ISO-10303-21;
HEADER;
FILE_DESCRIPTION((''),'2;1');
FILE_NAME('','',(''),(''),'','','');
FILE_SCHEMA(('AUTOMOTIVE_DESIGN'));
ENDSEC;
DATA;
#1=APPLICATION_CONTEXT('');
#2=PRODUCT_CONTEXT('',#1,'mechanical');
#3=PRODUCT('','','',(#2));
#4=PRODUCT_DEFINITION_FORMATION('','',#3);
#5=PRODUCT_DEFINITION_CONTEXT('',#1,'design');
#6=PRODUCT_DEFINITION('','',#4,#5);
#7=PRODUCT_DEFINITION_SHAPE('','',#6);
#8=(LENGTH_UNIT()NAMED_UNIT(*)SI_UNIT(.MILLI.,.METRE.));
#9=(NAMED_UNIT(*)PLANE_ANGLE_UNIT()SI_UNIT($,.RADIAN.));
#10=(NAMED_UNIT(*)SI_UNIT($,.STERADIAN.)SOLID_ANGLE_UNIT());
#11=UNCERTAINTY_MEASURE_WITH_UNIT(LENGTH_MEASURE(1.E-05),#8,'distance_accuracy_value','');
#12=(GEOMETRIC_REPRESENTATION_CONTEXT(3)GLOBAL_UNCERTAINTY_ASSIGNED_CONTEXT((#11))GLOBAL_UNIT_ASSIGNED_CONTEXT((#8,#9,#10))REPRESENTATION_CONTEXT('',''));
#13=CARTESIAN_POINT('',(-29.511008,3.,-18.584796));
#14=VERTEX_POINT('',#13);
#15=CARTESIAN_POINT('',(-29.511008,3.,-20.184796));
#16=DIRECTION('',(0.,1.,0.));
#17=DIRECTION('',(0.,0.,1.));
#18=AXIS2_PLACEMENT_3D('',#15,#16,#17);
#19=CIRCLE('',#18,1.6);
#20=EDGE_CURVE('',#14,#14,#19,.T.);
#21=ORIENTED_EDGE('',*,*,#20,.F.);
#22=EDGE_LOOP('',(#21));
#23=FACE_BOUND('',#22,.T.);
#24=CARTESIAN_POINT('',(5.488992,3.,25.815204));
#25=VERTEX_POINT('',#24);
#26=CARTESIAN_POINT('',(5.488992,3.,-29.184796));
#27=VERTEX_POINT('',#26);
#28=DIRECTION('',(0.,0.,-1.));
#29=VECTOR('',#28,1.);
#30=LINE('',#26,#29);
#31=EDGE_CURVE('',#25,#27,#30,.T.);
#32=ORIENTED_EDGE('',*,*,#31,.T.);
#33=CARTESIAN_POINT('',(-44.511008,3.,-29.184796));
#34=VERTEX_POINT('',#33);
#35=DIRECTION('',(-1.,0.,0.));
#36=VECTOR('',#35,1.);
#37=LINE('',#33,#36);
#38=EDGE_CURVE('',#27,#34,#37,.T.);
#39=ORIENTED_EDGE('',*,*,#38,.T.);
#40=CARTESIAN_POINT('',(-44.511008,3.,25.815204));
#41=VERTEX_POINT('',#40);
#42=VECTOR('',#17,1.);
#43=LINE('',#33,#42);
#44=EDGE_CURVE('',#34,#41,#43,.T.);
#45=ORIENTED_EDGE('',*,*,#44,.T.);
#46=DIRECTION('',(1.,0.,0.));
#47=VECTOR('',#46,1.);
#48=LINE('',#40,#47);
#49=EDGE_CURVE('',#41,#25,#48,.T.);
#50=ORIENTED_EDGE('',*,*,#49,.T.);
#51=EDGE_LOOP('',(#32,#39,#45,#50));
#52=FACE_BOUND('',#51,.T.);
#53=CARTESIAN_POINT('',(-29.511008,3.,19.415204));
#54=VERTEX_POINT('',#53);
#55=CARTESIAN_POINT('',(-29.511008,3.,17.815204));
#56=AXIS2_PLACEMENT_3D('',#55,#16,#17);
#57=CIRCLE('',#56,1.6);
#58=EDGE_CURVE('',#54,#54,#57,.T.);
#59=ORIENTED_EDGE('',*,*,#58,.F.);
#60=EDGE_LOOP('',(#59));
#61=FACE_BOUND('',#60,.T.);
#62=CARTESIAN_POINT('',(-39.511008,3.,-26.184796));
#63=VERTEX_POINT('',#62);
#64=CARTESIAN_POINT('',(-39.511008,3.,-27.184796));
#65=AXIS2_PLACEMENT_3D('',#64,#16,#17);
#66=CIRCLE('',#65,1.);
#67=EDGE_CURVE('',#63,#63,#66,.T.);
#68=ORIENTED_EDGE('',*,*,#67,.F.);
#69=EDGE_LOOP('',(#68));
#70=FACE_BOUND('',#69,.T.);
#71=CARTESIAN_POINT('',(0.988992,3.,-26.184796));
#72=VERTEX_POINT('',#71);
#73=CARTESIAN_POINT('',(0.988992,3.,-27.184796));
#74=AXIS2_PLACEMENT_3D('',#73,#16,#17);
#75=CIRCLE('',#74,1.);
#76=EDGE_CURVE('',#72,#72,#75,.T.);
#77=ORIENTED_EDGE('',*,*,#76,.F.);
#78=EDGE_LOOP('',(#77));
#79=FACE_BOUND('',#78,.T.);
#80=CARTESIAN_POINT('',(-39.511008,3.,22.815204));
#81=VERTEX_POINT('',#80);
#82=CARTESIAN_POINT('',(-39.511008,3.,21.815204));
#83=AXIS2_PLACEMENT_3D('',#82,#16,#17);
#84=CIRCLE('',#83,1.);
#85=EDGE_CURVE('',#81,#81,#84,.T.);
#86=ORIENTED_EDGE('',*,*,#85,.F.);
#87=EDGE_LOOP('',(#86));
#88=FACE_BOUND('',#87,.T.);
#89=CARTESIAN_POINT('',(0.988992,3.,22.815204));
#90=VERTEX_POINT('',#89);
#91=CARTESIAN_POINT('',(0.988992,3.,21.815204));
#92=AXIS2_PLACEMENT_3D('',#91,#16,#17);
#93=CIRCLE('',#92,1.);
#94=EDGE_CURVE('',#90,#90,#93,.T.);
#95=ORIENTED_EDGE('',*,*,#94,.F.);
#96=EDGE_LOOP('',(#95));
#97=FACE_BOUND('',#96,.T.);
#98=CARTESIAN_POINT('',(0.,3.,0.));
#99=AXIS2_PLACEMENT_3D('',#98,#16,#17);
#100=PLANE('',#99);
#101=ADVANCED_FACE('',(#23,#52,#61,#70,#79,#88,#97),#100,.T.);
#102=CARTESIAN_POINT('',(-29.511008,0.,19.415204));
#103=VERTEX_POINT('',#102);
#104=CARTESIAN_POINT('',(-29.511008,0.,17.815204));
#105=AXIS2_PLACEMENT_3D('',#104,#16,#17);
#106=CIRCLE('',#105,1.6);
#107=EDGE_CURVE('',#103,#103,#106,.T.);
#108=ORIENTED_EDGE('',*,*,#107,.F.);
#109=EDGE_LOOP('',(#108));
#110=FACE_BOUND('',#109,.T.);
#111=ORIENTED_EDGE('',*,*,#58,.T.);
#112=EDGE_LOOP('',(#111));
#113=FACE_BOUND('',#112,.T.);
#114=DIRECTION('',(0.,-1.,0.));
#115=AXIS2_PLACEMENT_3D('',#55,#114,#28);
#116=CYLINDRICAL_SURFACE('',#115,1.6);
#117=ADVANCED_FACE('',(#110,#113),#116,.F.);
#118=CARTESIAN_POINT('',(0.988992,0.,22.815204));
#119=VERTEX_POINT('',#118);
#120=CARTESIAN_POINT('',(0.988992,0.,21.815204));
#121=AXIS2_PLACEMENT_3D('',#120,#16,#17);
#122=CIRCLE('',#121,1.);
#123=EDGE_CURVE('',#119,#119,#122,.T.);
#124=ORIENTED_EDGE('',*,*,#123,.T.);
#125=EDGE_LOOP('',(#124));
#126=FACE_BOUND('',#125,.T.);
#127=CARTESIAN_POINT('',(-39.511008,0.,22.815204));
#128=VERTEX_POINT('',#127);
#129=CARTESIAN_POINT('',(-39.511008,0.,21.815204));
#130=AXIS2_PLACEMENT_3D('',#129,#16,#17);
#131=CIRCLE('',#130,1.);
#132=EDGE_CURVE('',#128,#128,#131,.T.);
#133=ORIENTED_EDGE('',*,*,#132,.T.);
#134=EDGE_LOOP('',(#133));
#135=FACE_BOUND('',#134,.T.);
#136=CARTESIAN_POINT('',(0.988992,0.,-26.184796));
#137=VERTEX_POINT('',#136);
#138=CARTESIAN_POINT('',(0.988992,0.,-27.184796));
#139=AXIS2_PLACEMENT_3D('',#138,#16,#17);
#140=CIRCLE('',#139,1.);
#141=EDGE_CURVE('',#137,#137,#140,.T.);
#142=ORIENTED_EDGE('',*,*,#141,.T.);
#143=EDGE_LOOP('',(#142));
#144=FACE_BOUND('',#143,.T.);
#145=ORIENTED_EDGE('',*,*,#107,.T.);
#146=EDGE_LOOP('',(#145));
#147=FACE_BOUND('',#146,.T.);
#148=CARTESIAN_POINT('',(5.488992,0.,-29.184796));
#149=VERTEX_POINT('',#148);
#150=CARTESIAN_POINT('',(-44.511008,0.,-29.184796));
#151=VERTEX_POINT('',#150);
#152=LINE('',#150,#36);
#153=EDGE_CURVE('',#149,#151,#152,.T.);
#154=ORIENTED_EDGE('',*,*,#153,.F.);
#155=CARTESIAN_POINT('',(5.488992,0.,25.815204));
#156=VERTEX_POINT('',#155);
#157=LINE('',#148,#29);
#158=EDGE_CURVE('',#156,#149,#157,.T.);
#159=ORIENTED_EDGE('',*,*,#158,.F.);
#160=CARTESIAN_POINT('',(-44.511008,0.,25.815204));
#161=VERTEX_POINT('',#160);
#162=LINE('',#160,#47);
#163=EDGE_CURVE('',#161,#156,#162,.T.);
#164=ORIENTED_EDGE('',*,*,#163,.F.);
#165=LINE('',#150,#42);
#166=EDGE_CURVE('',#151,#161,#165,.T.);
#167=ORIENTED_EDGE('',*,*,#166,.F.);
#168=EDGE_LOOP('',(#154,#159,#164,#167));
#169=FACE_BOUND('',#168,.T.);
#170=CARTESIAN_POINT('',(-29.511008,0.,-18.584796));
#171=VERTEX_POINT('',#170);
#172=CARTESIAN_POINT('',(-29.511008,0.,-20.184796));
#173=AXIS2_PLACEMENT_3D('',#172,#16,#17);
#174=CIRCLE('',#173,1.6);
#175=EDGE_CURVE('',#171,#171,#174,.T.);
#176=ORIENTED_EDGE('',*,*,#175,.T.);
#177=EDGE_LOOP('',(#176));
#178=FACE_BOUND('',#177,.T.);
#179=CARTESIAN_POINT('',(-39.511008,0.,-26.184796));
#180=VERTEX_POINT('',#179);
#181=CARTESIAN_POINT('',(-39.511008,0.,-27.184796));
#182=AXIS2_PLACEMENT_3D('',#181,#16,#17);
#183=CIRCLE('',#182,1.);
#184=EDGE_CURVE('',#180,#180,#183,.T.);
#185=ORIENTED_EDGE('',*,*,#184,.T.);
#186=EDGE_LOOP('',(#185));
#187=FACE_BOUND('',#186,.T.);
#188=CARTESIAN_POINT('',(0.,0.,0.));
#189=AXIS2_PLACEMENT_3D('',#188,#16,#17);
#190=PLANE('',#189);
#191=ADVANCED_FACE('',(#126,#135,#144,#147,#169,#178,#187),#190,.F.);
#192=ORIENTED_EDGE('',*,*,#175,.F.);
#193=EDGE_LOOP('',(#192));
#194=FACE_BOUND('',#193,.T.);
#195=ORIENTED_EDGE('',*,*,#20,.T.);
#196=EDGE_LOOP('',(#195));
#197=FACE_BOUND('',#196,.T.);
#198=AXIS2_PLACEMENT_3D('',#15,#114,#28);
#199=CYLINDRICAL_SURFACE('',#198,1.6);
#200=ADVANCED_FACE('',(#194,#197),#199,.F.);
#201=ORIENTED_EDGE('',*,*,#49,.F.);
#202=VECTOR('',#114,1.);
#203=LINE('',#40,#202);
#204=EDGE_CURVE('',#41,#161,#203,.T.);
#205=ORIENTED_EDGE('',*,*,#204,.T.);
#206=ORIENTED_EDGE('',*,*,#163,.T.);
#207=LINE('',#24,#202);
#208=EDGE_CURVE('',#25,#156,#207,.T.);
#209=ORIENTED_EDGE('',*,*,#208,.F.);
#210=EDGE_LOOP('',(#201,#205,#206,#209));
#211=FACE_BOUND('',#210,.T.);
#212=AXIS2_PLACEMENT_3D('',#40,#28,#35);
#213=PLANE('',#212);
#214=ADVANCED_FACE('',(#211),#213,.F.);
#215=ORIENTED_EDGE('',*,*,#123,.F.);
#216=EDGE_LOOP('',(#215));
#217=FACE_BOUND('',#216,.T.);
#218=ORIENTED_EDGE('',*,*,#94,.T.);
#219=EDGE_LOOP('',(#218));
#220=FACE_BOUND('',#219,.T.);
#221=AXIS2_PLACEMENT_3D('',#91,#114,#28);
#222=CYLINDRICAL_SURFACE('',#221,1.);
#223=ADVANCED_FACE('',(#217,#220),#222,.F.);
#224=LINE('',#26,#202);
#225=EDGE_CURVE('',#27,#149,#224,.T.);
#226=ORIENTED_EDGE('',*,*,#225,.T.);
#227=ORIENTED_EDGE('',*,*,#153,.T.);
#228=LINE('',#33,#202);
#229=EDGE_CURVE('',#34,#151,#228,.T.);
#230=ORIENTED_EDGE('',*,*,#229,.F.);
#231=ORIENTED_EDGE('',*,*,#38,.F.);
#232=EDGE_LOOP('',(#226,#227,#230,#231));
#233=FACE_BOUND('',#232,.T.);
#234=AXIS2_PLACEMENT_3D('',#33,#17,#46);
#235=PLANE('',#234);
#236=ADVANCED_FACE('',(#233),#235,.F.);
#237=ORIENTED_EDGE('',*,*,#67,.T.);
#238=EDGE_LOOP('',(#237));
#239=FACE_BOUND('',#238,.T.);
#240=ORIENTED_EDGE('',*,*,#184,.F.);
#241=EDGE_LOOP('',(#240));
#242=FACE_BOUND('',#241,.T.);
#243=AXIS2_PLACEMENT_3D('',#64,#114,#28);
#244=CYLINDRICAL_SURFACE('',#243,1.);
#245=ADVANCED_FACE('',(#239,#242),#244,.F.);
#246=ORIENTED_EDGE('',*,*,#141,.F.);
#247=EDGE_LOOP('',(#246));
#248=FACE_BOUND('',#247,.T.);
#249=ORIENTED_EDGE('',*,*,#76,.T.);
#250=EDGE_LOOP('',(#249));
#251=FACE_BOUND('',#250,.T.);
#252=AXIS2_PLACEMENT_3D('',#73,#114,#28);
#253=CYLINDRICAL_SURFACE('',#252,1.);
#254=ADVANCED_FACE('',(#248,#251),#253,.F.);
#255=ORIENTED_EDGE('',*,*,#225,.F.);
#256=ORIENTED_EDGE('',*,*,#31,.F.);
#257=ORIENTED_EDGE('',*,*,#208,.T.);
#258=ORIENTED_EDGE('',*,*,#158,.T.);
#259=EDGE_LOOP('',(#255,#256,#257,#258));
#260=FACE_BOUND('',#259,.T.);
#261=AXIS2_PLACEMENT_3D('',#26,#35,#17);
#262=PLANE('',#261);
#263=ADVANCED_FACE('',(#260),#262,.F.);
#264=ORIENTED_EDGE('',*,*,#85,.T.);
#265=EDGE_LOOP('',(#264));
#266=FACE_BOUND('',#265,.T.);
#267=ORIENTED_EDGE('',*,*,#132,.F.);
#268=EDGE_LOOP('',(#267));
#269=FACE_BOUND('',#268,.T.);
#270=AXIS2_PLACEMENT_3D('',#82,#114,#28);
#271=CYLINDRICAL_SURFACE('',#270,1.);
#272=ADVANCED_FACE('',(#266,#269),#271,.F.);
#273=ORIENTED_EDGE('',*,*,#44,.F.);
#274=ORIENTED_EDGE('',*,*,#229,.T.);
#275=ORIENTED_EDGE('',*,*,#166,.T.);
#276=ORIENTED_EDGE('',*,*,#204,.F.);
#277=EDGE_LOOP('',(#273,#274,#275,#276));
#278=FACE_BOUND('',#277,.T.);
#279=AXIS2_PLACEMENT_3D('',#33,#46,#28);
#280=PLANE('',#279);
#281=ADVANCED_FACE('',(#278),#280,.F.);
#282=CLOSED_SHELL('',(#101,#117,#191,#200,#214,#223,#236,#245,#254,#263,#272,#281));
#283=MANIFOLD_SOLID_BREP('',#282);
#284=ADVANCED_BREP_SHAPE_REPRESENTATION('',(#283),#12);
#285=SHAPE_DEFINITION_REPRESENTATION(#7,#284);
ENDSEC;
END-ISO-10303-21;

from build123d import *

# Parameters (mm, degrees)
SKETCH1_W           = 50
SKETCH1_H           = 55
SKETCH1_R           = 1.6
SKETCH1_R_2         = 1
BOSS_EXTRUDE1_DEPTH = 3


with BuildPart() as part:
    # Sketch1 → Boss-Extrude1 (new body)
    with BuildSketch(Plane(origin=(0, 0, 0), x_dir=(1, 0, 0), z_dir=(0, 1, 0))):
        with Locations((-19.511008016, 1.684795776)):
            Rectangle(SKETCH1_W, SKETCH1_H)
        with Locations((-29.511008016, 20.184795776)):
            Circle(SKETCH1_R, mode=Mode.SUBTRACT)
        with Locations((-29.511008016, -17.815204224)):
            Circle(SKETCH1_R, mode=Mode.SUBTRACT)
        with Locations((-39.511008016, 27.184795776)):
            Circle(SKETCH1_R_2, mode=Mode.SUBTRACT)
        with Locations((-39.511008016, -21.815204224)):
            Circle(SKETCH1_R_2, mode=Mode.SUBTRACT)
        with Locations((0.988991984, -21.815204224)):
            Circle(SKETCH1_R_2, mode=Mode.SUBTRACT)
        with Locations((0.988991984, 27.184795776)):
            Circle(SKETCH1_R_2, mode=Mode.SUBTRACT)
    extrude(amount=BOSS_EXTRUDE1_DEPTH)


solid = part.part
